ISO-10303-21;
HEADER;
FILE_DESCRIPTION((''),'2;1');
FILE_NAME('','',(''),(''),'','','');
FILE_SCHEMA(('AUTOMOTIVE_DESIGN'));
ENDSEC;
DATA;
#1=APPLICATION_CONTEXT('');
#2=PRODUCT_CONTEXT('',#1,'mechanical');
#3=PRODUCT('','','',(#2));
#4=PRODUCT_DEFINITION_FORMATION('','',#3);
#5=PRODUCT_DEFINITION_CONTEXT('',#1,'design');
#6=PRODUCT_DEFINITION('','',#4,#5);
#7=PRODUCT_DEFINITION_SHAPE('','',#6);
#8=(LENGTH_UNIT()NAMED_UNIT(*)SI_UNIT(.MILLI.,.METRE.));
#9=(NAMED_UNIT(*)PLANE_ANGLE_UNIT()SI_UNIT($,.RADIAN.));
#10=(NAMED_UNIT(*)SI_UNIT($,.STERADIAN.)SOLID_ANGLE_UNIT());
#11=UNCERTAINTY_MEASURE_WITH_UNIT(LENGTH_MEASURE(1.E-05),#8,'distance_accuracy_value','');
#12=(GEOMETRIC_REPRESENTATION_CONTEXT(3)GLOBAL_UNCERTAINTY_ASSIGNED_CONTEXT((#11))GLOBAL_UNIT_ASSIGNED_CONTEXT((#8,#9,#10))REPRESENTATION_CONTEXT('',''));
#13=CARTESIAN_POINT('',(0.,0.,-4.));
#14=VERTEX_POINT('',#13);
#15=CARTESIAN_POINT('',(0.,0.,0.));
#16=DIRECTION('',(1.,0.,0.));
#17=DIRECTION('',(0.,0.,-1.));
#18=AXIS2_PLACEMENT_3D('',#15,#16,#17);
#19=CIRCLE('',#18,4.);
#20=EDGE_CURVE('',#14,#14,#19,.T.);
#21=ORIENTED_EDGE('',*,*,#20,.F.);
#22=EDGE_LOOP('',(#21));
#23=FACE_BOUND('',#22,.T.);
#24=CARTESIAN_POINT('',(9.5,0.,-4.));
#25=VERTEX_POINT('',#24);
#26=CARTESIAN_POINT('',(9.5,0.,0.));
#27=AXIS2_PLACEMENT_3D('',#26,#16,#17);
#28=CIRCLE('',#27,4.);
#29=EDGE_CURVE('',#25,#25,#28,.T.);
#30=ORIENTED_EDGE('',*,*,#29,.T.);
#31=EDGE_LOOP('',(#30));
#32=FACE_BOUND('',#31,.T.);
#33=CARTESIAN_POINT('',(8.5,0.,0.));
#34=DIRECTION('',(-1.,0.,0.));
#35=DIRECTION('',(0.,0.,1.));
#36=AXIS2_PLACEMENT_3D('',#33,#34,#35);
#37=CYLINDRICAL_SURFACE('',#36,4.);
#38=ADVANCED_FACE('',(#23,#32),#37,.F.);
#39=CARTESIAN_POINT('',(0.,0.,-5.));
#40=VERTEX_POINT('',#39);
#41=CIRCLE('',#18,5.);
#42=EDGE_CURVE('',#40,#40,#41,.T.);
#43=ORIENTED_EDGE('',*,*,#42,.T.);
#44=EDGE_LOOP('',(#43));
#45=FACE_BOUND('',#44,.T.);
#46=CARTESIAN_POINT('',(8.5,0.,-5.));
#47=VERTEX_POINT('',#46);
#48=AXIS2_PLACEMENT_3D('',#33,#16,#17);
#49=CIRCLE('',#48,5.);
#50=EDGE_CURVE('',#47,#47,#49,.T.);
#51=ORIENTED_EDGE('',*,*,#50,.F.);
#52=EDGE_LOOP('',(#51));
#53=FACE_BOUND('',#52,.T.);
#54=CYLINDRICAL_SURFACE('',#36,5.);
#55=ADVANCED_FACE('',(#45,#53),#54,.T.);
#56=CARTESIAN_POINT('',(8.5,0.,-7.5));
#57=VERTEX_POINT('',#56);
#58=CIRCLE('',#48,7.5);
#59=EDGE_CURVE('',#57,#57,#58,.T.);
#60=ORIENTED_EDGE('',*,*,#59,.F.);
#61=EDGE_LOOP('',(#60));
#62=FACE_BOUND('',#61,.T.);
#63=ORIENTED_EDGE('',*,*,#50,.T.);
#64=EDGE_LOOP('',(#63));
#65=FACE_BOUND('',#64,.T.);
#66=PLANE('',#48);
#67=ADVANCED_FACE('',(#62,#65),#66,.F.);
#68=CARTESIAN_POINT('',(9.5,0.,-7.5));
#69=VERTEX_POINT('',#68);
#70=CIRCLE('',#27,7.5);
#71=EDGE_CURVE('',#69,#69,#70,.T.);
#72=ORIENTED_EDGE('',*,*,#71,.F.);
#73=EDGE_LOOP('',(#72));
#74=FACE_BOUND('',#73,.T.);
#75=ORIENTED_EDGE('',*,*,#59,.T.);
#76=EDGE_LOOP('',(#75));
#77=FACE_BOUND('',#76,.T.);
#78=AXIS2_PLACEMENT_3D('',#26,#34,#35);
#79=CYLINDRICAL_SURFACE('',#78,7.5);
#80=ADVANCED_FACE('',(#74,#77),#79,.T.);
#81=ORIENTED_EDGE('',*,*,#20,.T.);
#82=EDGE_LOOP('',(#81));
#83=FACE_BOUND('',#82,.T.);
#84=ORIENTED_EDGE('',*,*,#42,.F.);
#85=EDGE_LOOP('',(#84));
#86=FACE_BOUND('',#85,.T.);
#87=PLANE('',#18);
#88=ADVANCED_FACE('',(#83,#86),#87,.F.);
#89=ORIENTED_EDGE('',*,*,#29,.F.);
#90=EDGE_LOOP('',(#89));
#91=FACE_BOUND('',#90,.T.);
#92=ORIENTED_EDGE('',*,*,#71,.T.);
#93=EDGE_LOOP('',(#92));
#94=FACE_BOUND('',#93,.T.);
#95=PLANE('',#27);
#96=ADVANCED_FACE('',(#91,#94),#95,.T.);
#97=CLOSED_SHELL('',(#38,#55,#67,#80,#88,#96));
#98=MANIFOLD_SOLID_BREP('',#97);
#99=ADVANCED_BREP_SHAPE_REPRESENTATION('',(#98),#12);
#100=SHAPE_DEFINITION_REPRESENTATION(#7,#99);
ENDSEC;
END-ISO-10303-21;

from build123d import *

# Parameters (mm, degrees)
SZKIC1_R                    = 5
SZKIC1_R_2                  = 4
DODANIE_WYCI_GNI_CIE1_DEPTH = 8.5
SZKIC2_R                    = 7.5
SZKIC2_R_2                  = 4
DODANIE_WYCI_GNI_CIE3_DEPTH = 1


with BuildPart() as part:
    # Szkic1 → Dodanie-wyciągnięcie1 (new body)
    with BuildSketch(Plane(origin=(0, 0, 0), x_dir=(0, 0, -1), z_dir=(1, 0, 0))):
        Circle(SZKIC1_R)
        Circle(SZKIC1_R_2, mode=Mode.SUBTRACT)
    extrude(amount=DODANIE_WYCI_GNI_CIE1_DEPTH)

    # Szkic2 → Dodanie-wyciągnięcie3 (add)
    with BuildSketch(Plane(origin=(8.5, 0, 0), x_dir=(0, 0, -1), z_dir=(1, 0, 0))):
        Circle(SZKIC2_R)
        Circle(SZKIC2_R_2, mode=Mode.SUBTRACT)
    extrude(amount=DODANIE_WYCI_GNI_CIE3_DEPTH)


solid = part.part
